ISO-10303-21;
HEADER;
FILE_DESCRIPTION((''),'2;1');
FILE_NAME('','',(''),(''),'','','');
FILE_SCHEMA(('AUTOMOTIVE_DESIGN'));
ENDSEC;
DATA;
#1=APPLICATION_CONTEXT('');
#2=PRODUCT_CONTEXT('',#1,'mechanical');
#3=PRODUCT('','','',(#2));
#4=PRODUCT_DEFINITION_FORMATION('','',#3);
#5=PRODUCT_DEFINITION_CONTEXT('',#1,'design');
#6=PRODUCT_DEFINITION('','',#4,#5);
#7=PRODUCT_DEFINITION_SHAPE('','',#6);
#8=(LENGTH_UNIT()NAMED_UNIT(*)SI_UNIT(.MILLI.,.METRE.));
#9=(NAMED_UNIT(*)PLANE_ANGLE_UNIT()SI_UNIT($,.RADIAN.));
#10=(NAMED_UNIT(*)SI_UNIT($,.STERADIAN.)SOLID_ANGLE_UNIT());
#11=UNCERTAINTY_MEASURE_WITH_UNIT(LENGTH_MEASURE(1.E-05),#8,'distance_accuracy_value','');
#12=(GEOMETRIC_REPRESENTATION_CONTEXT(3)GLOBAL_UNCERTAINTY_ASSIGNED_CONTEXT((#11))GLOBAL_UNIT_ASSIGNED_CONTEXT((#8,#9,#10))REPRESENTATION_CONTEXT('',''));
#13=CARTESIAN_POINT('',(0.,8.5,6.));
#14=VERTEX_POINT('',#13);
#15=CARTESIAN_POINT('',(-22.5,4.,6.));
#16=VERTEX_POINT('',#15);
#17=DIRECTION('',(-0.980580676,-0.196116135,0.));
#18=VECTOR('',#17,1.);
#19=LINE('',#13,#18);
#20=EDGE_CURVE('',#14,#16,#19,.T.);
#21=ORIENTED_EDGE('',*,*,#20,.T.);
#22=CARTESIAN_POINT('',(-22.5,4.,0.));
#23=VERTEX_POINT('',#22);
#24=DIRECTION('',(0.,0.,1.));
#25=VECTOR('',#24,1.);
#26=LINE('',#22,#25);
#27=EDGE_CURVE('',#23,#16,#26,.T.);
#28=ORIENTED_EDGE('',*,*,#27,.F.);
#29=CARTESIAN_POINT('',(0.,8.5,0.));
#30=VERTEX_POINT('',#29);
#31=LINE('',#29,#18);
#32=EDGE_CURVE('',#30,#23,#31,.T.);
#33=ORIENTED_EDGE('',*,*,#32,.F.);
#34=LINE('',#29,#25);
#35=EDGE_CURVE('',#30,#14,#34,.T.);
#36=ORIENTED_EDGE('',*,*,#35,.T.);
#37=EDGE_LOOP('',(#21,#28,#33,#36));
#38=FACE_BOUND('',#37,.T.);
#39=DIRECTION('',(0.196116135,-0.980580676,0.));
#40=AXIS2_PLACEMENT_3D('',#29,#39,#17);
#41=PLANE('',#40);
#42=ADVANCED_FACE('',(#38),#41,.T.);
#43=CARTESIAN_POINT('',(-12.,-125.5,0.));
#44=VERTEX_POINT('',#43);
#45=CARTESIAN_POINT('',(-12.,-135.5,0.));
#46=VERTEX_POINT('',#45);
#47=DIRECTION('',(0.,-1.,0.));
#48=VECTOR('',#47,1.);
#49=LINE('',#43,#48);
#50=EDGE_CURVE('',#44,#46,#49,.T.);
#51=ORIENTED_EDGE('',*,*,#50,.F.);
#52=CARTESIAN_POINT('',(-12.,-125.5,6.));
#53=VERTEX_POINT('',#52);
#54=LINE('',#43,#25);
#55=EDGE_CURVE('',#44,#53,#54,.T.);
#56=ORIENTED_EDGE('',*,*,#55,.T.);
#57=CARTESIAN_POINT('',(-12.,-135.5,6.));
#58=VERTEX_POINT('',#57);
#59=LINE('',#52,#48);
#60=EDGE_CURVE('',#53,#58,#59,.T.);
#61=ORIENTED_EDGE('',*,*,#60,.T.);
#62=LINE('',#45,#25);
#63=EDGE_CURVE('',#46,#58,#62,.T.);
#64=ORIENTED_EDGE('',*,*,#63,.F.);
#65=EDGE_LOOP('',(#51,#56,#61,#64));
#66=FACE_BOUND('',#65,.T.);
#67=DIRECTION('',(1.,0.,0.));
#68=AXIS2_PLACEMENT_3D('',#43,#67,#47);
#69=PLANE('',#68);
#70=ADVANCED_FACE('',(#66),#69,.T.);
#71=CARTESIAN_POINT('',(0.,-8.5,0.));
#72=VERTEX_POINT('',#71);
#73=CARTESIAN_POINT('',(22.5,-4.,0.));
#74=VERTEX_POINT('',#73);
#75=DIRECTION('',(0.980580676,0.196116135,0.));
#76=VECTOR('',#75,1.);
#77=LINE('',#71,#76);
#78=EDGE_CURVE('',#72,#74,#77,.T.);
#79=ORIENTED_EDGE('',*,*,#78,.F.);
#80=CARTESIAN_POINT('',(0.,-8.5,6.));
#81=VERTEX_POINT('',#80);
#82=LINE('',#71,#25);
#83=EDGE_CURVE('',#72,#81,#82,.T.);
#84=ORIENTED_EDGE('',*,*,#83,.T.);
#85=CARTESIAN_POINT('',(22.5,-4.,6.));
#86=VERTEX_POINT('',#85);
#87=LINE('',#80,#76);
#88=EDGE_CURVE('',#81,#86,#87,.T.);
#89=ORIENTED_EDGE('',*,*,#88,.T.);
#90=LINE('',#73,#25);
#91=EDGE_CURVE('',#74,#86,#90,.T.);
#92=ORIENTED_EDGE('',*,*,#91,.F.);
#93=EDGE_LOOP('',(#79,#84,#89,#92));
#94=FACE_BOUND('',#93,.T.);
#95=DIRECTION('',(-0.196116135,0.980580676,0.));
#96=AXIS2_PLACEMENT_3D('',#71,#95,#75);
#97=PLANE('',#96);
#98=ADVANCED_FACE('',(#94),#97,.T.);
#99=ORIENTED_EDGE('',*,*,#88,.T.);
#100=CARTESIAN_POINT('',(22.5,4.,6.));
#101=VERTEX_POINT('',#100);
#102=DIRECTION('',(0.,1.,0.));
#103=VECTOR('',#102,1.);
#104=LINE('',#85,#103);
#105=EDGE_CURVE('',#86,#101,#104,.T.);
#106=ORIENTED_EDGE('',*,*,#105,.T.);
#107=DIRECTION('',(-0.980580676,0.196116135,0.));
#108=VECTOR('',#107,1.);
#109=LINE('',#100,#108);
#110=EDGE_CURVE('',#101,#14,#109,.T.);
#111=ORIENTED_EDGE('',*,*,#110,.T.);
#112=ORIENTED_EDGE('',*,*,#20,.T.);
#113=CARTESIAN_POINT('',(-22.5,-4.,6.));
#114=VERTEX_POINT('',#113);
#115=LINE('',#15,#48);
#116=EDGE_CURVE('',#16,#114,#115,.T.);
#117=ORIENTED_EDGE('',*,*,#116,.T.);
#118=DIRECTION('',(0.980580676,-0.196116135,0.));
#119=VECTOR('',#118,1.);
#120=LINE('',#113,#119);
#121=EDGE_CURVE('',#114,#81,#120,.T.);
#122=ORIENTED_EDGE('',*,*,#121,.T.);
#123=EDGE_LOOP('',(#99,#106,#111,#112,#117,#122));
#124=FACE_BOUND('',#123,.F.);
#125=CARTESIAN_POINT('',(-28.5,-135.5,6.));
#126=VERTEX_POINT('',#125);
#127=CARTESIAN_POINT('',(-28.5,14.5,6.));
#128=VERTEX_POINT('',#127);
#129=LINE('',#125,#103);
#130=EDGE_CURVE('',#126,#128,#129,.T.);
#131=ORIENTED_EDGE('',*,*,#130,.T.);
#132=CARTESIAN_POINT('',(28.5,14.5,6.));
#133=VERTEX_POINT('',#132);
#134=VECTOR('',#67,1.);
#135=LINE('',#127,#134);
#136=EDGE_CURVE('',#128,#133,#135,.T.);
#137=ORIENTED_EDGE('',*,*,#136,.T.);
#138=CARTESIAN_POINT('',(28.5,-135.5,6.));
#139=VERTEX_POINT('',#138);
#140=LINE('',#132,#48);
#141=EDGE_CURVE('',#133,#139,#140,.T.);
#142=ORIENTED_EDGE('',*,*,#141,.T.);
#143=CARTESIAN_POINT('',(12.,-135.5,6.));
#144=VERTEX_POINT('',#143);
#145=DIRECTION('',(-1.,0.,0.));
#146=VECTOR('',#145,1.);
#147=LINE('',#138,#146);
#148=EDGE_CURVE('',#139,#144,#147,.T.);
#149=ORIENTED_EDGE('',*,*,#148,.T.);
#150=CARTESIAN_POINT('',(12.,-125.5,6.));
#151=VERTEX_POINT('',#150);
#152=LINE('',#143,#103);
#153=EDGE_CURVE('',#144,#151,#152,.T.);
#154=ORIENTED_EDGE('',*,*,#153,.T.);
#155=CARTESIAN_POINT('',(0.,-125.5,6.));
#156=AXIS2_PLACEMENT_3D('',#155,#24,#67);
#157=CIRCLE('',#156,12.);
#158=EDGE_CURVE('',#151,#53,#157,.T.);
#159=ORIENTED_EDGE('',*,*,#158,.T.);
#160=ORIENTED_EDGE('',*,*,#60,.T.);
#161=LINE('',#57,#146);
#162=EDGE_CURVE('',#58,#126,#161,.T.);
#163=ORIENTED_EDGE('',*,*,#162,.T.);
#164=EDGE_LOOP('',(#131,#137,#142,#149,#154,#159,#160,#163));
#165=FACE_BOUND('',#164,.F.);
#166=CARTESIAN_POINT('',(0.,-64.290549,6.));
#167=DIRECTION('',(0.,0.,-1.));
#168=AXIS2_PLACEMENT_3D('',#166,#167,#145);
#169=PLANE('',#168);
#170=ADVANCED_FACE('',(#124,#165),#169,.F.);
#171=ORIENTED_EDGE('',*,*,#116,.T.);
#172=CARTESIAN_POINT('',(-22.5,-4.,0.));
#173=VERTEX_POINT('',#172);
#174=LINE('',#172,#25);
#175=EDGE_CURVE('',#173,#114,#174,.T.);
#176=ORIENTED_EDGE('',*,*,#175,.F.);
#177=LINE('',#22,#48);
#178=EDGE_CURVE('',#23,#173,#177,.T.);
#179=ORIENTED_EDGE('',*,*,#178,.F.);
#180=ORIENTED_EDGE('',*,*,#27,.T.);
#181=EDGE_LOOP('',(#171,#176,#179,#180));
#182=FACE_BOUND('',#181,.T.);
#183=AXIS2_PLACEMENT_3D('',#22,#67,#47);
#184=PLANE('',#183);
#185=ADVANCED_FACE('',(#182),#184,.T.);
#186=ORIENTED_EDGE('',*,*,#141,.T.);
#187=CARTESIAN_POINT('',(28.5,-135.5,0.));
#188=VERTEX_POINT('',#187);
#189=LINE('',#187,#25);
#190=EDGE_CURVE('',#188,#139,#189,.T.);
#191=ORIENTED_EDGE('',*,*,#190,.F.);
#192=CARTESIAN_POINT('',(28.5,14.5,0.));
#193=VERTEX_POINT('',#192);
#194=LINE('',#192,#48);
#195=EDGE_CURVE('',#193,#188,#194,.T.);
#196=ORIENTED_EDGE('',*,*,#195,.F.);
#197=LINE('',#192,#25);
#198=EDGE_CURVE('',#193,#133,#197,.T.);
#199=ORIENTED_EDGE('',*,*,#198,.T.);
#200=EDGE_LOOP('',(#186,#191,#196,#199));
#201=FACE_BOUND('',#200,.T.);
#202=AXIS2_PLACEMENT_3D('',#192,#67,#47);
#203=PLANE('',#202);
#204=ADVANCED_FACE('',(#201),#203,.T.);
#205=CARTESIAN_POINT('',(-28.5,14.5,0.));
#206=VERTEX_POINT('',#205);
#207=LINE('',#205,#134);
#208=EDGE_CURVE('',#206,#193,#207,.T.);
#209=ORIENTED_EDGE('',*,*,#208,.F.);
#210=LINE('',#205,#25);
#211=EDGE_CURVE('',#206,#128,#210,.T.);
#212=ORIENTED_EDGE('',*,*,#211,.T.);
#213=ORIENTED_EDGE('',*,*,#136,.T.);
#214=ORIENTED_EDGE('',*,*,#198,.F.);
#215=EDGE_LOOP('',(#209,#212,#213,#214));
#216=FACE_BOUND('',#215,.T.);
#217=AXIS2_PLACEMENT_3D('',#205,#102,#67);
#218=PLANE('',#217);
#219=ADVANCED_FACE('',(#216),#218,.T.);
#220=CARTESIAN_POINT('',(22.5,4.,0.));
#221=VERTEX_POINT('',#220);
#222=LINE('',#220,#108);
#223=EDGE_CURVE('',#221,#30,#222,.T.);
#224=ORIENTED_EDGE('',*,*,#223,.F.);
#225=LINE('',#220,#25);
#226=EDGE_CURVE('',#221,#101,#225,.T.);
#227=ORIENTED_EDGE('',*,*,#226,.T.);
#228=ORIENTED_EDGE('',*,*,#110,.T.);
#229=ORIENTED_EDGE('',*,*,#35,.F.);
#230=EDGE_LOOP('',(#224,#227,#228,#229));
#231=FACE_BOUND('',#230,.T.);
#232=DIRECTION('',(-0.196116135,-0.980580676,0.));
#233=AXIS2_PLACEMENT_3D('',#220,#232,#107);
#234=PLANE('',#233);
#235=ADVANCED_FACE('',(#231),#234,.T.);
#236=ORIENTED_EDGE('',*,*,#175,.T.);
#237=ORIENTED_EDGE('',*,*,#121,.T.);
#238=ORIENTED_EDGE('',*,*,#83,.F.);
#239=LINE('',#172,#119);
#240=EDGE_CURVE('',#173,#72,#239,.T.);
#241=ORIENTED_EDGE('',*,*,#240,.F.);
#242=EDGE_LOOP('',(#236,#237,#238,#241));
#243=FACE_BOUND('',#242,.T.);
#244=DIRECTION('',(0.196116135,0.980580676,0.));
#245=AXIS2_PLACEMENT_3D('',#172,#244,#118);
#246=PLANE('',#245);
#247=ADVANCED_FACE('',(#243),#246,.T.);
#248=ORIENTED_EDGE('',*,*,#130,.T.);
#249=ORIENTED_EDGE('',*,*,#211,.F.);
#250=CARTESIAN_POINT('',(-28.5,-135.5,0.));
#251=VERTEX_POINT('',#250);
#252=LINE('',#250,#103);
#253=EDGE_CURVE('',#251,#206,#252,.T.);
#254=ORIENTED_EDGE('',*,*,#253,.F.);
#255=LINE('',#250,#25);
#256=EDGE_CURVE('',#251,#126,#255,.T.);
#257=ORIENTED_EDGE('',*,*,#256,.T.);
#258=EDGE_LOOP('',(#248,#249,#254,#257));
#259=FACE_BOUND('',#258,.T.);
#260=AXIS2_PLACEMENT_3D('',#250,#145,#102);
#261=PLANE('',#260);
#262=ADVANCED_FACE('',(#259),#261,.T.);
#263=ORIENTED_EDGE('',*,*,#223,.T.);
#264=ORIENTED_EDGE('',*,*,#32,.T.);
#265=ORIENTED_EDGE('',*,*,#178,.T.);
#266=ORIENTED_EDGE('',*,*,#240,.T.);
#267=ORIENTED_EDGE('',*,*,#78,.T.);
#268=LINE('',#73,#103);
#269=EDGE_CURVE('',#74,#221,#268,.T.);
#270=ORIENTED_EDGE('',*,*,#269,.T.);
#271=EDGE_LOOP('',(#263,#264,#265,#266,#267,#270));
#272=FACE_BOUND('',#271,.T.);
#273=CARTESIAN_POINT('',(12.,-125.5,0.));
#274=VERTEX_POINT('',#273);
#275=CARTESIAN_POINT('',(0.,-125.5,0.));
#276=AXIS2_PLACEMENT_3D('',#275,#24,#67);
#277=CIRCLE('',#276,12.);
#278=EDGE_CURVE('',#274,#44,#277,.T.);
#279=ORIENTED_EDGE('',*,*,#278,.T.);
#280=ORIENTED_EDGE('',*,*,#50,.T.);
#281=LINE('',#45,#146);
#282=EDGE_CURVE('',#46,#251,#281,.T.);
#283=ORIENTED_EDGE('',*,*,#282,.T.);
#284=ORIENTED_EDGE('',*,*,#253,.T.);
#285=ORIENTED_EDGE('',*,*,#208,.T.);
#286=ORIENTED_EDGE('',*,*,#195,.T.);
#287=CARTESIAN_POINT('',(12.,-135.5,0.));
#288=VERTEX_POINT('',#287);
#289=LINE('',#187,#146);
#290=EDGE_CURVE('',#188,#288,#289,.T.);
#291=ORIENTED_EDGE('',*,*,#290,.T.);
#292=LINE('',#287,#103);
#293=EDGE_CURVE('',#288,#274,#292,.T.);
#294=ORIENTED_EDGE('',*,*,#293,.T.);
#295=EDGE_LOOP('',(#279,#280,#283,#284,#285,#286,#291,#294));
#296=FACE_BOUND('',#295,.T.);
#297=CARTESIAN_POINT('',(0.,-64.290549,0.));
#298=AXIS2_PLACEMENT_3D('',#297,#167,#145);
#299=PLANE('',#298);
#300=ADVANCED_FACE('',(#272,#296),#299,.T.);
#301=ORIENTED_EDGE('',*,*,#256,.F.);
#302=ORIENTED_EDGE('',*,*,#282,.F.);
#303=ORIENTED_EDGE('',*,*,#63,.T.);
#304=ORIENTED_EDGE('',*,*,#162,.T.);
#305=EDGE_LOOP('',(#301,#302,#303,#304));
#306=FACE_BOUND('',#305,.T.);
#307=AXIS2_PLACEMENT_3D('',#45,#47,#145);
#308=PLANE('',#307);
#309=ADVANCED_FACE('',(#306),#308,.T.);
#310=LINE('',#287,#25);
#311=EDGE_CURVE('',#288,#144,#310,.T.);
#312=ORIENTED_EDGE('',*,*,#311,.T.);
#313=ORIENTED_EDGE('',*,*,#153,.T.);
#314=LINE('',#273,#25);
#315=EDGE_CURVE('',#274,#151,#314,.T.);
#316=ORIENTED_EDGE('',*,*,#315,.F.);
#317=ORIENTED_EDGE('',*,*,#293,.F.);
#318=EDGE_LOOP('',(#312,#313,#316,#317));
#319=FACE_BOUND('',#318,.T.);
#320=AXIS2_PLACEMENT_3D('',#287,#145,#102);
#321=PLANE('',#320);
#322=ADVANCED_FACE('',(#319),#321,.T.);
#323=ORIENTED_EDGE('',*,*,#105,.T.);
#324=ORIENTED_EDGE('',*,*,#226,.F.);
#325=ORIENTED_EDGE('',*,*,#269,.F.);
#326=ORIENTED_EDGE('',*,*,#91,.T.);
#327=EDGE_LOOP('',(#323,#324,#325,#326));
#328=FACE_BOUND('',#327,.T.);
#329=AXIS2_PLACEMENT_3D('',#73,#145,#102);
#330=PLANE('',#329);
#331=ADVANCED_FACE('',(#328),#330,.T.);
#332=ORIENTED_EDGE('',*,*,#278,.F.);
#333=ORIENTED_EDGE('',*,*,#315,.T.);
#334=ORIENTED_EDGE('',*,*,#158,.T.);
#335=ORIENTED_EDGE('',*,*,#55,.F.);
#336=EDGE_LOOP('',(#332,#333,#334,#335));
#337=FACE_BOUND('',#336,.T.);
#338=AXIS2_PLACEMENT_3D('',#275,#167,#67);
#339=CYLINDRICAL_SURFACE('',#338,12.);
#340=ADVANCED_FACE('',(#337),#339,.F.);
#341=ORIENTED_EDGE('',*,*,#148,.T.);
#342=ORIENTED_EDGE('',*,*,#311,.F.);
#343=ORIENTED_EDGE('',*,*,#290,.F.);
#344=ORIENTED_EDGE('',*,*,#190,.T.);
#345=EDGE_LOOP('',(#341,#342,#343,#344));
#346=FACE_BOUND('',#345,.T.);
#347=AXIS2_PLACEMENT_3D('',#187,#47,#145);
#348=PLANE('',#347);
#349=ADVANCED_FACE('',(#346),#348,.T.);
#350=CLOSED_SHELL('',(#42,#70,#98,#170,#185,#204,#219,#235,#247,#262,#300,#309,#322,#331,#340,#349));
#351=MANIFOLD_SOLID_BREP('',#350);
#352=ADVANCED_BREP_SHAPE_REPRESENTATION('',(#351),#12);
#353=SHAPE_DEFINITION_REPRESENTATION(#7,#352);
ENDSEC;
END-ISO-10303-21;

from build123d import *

# Parameters (mm, degrees)
PAD_DEPTH = 6


with BuildPart() as part:
    # Sketch → Pad (new body)
    with BuildSketch(Plane.XY):
        with BuildLine():
            ThreePointArc((12, -125.5), (0, -113.5), (-12, -125.5))
            Line((-12, -125.5), (-12, -135.5))
            Line((-12, -135.5), (-28.5, -135.5))
            Line((-28.5, -135.5), (-28.5, 14.5))
            Line((-28.5, 14.5), (28.5, 14.5))
            Line((28.5, 14.5), (28.5, -135.5))
            Line((28.5, -135.5), (12, -135.5))
            Line((12, -135.5), (12, -125.5))
        make_face()
        Polygon((0, 8.5), (-22.5, 4), (-22.5, -4), (0, -8.5), (22.5, -4), (22.5, 4), align=None, mode=Mode.SUBTRACT)
    extrude(amount=PAD_DEPTH)


solid = part.part
